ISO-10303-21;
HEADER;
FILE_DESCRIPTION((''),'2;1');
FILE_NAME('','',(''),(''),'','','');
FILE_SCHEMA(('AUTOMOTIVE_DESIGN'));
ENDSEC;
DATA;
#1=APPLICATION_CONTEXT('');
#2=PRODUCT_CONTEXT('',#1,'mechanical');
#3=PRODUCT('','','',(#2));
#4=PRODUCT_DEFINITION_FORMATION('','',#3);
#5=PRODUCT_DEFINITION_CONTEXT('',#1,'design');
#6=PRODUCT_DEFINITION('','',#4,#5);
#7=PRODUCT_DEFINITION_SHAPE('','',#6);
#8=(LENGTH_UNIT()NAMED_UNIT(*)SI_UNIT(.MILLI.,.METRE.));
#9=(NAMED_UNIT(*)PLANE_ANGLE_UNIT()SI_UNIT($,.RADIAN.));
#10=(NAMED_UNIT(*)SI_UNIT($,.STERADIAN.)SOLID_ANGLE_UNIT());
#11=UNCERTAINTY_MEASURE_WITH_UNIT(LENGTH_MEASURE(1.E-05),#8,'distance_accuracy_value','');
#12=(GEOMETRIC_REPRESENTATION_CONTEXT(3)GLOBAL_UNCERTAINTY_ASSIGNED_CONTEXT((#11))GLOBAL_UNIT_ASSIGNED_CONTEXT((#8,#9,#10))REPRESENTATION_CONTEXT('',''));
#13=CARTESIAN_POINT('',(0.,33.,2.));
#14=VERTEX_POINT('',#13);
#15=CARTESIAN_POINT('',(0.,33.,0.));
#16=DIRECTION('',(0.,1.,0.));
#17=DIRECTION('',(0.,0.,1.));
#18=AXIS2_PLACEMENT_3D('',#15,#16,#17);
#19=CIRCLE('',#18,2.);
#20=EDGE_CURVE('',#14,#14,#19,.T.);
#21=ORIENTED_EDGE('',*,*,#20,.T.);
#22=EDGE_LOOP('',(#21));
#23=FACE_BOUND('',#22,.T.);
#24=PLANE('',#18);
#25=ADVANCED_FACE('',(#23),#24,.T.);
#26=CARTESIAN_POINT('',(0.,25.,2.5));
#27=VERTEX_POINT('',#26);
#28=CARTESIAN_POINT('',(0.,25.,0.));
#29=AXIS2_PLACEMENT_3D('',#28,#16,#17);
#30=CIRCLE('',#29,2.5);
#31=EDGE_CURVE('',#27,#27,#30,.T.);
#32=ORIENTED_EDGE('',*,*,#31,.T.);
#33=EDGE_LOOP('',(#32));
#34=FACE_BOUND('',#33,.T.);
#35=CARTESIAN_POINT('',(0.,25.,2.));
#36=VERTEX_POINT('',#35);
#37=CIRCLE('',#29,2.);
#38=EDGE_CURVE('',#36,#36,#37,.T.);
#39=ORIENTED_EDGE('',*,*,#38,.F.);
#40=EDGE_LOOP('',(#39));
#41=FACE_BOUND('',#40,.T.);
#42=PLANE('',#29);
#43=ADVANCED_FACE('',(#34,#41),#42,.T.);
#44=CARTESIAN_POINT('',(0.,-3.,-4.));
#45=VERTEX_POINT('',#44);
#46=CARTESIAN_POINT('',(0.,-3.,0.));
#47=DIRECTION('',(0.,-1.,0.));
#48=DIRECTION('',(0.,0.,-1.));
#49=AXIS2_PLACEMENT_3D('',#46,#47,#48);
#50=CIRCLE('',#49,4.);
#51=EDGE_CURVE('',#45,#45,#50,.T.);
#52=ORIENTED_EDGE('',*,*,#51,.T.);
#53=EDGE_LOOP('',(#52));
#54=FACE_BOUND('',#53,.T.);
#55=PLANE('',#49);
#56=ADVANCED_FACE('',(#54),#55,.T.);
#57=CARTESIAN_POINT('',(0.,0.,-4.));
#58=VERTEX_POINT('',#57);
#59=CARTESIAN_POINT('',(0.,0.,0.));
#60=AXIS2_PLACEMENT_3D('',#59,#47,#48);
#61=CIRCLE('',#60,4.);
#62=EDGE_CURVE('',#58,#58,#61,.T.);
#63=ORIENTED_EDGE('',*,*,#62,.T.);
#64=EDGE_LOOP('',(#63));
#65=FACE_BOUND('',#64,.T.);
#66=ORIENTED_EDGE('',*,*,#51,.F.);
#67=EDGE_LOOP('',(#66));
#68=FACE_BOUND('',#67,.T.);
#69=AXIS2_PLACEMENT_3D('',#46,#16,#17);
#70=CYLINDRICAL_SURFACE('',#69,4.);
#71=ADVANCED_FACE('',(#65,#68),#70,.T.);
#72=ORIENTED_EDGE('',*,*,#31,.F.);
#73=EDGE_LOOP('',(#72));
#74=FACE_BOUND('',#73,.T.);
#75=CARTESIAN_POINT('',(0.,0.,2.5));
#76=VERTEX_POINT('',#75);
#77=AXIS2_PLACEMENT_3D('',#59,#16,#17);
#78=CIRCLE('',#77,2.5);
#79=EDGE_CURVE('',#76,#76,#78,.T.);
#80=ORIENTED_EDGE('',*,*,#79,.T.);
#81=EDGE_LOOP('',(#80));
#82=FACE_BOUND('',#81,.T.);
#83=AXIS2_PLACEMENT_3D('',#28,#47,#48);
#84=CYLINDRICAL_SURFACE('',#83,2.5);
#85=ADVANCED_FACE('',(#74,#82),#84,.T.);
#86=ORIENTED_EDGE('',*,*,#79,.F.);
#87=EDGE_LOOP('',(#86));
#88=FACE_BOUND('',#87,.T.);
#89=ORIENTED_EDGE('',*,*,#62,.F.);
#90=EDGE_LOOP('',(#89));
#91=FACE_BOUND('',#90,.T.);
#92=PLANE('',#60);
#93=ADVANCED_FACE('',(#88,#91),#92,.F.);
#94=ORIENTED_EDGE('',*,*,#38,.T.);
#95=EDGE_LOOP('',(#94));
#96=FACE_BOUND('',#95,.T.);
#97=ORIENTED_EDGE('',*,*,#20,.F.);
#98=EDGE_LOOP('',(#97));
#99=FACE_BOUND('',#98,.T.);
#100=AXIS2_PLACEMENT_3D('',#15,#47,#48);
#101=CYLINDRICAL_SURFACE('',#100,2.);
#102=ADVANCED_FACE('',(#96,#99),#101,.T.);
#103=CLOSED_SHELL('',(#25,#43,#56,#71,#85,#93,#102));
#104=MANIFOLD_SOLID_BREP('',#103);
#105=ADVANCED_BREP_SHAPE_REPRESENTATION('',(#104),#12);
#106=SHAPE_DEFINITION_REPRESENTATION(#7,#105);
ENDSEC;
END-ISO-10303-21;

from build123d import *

# Parameters (mm, degrees)
SKETCH_1_R      = 2.5
EXTRUDE_1_DEPTH = 25
SKETCH_2_R      = 2
EXTRUDE_2_DEPTH = 8
SKETCH_3_R      = 4
EXTRUDE_3_DEPTH = 3


with BuildPart() as part:
    # 草图1 → 凸台-拉伸1 (new body)
    with BuildSketch(Plane(origin=(0, 0, 0), x_dir=(1, 0, 0), z_dir=(0, 1, 0))):
        Circle(SKETCH_1_R)
    extrude(amount=EXTRUDE_1_DEPTH)

    # 草图2 → 凸台-拉伸2 (add)
    with BuildSketch(Plane(origin=(0, 25, 0), x_dir=(1, 0, 0), z_dir=(0, 1, 0))):
        Circle(SKETCH_2_R)
    extrude(amount=EXTRUDE_2_DEPTH)

    # 草图3 → 凸台-拉伸3 (add)
    with BuildSketch(Plane.XZ):
        Circle(SKETCH_3_R)
    extrude(amount=EXTRUDE_3_DEPTH)


solid = part.part
